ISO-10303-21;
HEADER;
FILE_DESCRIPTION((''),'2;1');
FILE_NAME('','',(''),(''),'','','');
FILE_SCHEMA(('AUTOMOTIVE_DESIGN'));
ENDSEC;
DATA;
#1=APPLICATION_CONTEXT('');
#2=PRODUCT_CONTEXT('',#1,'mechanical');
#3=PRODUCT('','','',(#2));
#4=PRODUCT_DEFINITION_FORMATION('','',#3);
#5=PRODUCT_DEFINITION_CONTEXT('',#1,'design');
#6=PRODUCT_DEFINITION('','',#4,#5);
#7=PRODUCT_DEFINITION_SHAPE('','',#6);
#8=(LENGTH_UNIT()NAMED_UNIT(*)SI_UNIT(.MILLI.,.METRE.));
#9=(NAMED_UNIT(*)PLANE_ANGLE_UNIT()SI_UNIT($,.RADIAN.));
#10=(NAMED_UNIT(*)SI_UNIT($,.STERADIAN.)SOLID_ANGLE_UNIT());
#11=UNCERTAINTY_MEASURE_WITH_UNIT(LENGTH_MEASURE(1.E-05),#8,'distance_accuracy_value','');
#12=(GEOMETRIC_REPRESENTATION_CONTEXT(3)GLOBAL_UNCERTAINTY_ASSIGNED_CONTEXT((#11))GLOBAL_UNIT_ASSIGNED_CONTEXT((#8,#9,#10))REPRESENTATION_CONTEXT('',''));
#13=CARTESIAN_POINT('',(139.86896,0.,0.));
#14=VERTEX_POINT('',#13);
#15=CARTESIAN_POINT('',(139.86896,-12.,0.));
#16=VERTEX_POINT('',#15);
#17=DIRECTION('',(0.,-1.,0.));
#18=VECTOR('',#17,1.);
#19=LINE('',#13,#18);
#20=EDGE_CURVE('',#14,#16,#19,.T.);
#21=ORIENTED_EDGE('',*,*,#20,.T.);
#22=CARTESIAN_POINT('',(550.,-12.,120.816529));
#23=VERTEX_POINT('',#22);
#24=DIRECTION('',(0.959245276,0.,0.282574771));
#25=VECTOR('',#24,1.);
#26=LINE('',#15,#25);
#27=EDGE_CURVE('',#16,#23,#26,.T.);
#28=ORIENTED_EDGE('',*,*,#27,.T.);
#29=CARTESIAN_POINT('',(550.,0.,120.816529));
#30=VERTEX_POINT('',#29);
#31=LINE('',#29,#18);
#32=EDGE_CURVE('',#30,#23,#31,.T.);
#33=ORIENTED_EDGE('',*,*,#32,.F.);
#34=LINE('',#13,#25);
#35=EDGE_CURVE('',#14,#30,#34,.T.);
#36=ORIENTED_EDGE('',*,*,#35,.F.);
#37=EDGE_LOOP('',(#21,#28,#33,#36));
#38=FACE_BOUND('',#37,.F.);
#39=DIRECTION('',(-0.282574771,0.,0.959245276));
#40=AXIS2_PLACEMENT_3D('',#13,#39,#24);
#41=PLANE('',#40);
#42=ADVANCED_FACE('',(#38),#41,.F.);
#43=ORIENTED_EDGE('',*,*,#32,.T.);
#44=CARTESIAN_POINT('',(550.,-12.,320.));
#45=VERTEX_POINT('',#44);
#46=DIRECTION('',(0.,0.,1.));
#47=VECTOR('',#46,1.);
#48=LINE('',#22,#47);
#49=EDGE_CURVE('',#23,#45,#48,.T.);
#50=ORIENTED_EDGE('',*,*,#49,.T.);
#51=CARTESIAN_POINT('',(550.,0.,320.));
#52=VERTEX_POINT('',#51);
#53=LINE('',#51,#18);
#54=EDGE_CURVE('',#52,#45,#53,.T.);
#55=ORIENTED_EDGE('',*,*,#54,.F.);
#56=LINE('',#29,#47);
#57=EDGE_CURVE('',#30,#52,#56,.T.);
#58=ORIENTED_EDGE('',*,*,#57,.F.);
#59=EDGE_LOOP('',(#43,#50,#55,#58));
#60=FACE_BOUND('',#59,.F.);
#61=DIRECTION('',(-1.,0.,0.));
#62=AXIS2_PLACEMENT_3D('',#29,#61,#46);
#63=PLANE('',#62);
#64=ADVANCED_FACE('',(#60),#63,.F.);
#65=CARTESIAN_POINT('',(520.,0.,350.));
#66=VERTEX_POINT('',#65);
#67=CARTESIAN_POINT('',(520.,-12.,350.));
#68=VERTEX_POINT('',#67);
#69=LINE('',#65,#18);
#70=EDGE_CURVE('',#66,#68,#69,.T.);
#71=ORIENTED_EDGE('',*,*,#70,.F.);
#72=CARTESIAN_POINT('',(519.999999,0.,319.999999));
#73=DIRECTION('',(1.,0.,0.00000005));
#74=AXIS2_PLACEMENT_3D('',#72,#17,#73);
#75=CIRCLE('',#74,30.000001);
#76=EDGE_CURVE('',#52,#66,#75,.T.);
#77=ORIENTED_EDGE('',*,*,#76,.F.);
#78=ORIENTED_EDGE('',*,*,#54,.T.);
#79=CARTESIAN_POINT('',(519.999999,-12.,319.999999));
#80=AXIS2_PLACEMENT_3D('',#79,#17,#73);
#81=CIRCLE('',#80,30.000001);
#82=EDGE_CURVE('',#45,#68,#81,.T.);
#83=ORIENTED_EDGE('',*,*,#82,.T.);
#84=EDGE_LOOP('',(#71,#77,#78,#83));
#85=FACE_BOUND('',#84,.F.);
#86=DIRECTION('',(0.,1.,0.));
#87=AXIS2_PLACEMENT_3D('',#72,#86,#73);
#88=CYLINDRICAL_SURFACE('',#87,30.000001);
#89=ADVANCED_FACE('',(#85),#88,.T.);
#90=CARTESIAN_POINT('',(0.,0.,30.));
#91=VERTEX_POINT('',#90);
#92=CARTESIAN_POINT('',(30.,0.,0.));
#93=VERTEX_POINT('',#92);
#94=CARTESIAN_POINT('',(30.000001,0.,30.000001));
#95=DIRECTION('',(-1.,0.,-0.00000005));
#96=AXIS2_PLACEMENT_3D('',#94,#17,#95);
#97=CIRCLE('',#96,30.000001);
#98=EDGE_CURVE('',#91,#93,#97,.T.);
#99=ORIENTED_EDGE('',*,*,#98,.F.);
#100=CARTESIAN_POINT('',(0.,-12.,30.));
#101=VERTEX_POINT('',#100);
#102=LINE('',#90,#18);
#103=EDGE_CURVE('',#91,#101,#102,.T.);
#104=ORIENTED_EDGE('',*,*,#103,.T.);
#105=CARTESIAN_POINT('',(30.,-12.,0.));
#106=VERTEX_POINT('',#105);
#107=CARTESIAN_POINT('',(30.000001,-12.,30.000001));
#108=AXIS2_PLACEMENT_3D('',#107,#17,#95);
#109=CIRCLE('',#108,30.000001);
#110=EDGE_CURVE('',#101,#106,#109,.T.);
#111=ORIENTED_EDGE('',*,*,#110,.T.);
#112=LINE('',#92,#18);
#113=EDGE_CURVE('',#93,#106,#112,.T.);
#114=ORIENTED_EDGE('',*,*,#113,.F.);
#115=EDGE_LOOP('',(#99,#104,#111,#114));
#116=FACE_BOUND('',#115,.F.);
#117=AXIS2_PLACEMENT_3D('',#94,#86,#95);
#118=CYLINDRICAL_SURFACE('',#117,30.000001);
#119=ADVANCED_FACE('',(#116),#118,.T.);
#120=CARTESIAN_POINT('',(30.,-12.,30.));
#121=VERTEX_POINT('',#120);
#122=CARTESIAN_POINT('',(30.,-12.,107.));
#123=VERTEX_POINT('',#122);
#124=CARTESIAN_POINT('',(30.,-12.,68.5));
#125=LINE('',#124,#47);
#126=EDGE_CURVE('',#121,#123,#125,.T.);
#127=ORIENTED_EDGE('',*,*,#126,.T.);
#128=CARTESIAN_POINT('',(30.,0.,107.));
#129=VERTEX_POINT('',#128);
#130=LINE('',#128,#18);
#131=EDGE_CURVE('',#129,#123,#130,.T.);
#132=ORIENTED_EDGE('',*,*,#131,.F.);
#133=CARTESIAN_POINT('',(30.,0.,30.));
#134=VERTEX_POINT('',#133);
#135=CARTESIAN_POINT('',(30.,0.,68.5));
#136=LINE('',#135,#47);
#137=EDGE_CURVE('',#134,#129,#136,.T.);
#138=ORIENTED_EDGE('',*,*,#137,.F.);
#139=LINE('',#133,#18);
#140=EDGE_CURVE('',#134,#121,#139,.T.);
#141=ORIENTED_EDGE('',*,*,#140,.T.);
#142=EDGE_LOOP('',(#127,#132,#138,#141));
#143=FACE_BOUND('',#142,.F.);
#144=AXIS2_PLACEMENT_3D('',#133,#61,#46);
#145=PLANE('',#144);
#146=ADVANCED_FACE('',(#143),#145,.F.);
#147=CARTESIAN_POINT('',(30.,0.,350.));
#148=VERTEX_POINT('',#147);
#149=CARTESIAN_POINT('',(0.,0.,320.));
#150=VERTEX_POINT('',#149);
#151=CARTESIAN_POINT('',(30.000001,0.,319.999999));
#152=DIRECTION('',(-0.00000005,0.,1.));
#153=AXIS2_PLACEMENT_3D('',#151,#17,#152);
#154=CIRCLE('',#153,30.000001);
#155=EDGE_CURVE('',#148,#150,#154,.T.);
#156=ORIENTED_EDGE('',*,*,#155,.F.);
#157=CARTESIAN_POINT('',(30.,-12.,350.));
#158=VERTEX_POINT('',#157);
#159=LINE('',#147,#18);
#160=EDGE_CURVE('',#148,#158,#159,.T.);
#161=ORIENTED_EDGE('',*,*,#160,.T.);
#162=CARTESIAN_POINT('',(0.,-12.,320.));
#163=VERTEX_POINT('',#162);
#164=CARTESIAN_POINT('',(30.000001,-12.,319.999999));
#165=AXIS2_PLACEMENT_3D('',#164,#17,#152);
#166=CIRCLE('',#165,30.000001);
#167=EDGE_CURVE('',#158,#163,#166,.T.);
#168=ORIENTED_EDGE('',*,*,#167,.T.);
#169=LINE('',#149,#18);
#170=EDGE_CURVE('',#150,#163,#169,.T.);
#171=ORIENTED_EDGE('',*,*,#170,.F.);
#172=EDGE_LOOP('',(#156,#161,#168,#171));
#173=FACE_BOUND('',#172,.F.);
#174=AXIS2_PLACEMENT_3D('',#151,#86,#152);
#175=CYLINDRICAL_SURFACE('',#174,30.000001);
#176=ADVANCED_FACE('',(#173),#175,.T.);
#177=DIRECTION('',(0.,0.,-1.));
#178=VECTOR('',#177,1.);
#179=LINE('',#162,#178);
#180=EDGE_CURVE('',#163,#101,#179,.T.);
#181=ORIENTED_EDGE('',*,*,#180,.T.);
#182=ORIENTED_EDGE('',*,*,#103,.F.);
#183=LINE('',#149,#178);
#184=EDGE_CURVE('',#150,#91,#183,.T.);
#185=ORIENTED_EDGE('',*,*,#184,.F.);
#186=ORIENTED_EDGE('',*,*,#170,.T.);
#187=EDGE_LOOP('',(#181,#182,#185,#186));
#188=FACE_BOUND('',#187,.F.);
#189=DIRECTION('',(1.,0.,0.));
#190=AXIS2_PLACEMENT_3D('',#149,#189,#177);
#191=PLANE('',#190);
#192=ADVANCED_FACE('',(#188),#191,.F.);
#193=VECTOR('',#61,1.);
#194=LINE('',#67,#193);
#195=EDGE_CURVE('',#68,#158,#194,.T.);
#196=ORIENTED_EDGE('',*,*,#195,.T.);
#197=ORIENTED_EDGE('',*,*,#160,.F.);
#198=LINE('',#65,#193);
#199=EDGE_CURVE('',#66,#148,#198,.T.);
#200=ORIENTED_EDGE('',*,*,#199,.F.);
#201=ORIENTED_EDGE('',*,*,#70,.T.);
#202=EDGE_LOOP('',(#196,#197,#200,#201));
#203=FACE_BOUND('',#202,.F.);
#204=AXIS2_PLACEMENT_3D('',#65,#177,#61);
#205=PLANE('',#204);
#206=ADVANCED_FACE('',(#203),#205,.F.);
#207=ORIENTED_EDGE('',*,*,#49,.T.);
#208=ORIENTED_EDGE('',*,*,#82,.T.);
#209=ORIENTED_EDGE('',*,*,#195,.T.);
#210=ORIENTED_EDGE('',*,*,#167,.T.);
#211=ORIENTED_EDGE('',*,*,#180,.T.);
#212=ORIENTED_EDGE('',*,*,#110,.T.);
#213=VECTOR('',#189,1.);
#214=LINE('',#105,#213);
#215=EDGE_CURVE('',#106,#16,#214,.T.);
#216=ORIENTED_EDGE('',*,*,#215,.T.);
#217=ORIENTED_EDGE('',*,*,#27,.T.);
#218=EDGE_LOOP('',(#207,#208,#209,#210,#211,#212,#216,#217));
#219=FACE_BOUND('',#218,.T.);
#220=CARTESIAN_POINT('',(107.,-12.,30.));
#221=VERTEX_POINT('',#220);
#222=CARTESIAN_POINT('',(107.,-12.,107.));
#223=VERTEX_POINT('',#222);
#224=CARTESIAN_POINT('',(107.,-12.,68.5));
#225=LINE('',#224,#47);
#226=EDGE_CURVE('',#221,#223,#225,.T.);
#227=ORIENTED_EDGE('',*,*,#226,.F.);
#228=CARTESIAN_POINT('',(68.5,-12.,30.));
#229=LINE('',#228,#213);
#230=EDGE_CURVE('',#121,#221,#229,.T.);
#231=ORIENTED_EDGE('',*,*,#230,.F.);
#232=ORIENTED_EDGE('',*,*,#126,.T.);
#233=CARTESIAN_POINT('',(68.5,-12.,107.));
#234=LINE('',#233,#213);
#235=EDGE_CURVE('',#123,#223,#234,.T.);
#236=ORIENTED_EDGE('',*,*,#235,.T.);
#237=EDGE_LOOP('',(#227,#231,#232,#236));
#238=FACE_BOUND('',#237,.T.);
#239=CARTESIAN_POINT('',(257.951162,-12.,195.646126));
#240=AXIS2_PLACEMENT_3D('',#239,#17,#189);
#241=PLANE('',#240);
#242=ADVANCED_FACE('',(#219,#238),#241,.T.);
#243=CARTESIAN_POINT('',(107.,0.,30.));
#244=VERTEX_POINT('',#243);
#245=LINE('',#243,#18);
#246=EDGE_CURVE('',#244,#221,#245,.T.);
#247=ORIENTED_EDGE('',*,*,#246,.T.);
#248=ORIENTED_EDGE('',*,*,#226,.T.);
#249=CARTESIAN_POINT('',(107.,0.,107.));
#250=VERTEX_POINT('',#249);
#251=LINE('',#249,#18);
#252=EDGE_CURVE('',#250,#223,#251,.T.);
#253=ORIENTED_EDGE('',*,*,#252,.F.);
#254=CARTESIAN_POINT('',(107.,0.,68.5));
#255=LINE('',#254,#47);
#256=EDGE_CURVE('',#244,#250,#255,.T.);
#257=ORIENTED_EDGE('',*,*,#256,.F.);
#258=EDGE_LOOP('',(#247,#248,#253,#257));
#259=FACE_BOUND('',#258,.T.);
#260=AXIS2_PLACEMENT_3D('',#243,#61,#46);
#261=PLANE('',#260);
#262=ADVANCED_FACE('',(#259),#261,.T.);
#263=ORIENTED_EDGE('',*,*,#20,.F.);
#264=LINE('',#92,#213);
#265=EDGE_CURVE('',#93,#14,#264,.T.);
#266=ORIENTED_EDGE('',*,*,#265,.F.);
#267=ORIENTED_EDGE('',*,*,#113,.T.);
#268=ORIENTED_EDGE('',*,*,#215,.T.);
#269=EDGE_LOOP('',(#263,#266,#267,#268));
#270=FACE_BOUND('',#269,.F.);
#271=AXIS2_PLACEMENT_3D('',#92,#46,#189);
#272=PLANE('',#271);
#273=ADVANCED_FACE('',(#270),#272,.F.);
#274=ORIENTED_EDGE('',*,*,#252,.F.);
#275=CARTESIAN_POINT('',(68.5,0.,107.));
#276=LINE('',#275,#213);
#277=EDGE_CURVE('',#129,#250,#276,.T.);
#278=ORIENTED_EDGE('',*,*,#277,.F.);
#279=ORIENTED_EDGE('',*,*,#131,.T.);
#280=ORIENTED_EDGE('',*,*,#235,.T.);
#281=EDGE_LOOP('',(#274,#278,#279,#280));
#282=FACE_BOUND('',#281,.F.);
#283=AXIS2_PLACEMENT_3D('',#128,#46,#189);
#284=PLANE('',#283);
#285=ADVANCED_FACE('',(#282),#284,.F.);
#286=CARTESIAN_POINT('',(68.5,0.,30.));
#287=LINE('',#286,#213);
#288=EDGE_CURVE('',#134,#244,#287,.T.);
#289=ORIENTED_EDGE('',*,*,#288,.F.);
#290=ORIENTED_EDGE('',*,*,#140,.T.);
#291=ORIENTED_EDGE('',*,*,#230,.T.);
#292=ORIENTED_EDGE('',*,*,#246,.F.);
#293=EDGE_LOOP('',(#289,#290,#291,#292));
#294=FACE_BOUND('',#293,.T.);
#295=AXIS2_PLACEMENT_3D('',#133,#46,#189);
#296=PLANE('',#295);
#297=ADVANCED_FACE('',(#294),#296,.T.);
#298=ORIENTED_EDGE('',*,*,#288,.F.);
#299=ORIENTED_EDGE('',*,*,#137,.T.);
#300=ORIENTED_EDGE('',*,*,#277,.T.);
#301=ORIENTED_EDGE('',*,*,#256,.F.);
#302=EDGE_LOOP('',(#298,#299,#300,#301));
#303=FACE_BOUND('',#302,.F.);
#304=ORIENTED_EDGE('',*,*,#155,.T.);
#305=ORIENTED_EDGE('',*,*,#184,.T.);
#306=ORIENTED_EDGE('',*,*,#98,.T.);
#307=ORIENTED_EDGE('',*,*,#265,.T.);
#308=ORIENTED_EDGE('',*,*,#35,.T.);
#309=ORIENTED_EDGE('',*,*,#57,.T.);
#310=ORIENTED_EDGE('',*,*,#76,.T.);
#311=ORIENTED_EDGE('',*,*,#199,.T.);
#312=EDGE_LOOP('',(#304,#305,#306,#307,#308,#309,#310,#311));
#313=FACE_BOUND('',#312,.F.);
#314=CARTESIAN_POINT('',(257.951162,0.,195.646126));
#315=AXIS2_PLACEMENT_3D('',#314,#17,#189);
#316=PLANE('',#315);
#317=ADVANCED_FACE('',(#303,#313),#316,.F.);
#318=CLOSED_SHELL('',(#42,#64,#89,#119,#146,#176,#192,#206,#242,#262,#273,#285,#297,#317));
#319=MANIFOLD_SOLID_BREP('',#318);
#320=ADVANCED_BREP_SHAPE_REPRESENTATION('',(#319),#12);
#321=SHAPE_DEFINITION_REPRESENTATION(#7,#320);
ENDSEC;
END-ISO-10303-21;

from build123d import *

# Parameters (mm, degrees)
F0_W     = 77
F0_H     = 77
F1_DEPTH = 12


with BuildPart() as f1:
    # F0 (on Front) → F1 (new body)
    with BuildSketch(Plane.XZ):
        with BuildLine():
            ThreePointArc((0, 30), (8.786797, 8.786797), (30, 0))
            Line((30, 0), (139.86896, 0))
            Line((139.86896, 0), (550, 120.816529))
            Line((550, 120.816529), (550, 320))
            ThreePointArc((550, 320), (541.213203, 341.213203), (520, 350))
            Line((520, 350), (30, 350))
            ThreePointArc((30, 350), (8.786797, 341.213203), (0, 320))
            Line((0, 320), (0, 30))
        make_face()
        with Locations((68.5, 68.5)):
            Rectangle(F0_W, F0_H, mode=Mode.SUBTRACT)
    extrude(amount=F1_DEPTH)


solid = f1.part
